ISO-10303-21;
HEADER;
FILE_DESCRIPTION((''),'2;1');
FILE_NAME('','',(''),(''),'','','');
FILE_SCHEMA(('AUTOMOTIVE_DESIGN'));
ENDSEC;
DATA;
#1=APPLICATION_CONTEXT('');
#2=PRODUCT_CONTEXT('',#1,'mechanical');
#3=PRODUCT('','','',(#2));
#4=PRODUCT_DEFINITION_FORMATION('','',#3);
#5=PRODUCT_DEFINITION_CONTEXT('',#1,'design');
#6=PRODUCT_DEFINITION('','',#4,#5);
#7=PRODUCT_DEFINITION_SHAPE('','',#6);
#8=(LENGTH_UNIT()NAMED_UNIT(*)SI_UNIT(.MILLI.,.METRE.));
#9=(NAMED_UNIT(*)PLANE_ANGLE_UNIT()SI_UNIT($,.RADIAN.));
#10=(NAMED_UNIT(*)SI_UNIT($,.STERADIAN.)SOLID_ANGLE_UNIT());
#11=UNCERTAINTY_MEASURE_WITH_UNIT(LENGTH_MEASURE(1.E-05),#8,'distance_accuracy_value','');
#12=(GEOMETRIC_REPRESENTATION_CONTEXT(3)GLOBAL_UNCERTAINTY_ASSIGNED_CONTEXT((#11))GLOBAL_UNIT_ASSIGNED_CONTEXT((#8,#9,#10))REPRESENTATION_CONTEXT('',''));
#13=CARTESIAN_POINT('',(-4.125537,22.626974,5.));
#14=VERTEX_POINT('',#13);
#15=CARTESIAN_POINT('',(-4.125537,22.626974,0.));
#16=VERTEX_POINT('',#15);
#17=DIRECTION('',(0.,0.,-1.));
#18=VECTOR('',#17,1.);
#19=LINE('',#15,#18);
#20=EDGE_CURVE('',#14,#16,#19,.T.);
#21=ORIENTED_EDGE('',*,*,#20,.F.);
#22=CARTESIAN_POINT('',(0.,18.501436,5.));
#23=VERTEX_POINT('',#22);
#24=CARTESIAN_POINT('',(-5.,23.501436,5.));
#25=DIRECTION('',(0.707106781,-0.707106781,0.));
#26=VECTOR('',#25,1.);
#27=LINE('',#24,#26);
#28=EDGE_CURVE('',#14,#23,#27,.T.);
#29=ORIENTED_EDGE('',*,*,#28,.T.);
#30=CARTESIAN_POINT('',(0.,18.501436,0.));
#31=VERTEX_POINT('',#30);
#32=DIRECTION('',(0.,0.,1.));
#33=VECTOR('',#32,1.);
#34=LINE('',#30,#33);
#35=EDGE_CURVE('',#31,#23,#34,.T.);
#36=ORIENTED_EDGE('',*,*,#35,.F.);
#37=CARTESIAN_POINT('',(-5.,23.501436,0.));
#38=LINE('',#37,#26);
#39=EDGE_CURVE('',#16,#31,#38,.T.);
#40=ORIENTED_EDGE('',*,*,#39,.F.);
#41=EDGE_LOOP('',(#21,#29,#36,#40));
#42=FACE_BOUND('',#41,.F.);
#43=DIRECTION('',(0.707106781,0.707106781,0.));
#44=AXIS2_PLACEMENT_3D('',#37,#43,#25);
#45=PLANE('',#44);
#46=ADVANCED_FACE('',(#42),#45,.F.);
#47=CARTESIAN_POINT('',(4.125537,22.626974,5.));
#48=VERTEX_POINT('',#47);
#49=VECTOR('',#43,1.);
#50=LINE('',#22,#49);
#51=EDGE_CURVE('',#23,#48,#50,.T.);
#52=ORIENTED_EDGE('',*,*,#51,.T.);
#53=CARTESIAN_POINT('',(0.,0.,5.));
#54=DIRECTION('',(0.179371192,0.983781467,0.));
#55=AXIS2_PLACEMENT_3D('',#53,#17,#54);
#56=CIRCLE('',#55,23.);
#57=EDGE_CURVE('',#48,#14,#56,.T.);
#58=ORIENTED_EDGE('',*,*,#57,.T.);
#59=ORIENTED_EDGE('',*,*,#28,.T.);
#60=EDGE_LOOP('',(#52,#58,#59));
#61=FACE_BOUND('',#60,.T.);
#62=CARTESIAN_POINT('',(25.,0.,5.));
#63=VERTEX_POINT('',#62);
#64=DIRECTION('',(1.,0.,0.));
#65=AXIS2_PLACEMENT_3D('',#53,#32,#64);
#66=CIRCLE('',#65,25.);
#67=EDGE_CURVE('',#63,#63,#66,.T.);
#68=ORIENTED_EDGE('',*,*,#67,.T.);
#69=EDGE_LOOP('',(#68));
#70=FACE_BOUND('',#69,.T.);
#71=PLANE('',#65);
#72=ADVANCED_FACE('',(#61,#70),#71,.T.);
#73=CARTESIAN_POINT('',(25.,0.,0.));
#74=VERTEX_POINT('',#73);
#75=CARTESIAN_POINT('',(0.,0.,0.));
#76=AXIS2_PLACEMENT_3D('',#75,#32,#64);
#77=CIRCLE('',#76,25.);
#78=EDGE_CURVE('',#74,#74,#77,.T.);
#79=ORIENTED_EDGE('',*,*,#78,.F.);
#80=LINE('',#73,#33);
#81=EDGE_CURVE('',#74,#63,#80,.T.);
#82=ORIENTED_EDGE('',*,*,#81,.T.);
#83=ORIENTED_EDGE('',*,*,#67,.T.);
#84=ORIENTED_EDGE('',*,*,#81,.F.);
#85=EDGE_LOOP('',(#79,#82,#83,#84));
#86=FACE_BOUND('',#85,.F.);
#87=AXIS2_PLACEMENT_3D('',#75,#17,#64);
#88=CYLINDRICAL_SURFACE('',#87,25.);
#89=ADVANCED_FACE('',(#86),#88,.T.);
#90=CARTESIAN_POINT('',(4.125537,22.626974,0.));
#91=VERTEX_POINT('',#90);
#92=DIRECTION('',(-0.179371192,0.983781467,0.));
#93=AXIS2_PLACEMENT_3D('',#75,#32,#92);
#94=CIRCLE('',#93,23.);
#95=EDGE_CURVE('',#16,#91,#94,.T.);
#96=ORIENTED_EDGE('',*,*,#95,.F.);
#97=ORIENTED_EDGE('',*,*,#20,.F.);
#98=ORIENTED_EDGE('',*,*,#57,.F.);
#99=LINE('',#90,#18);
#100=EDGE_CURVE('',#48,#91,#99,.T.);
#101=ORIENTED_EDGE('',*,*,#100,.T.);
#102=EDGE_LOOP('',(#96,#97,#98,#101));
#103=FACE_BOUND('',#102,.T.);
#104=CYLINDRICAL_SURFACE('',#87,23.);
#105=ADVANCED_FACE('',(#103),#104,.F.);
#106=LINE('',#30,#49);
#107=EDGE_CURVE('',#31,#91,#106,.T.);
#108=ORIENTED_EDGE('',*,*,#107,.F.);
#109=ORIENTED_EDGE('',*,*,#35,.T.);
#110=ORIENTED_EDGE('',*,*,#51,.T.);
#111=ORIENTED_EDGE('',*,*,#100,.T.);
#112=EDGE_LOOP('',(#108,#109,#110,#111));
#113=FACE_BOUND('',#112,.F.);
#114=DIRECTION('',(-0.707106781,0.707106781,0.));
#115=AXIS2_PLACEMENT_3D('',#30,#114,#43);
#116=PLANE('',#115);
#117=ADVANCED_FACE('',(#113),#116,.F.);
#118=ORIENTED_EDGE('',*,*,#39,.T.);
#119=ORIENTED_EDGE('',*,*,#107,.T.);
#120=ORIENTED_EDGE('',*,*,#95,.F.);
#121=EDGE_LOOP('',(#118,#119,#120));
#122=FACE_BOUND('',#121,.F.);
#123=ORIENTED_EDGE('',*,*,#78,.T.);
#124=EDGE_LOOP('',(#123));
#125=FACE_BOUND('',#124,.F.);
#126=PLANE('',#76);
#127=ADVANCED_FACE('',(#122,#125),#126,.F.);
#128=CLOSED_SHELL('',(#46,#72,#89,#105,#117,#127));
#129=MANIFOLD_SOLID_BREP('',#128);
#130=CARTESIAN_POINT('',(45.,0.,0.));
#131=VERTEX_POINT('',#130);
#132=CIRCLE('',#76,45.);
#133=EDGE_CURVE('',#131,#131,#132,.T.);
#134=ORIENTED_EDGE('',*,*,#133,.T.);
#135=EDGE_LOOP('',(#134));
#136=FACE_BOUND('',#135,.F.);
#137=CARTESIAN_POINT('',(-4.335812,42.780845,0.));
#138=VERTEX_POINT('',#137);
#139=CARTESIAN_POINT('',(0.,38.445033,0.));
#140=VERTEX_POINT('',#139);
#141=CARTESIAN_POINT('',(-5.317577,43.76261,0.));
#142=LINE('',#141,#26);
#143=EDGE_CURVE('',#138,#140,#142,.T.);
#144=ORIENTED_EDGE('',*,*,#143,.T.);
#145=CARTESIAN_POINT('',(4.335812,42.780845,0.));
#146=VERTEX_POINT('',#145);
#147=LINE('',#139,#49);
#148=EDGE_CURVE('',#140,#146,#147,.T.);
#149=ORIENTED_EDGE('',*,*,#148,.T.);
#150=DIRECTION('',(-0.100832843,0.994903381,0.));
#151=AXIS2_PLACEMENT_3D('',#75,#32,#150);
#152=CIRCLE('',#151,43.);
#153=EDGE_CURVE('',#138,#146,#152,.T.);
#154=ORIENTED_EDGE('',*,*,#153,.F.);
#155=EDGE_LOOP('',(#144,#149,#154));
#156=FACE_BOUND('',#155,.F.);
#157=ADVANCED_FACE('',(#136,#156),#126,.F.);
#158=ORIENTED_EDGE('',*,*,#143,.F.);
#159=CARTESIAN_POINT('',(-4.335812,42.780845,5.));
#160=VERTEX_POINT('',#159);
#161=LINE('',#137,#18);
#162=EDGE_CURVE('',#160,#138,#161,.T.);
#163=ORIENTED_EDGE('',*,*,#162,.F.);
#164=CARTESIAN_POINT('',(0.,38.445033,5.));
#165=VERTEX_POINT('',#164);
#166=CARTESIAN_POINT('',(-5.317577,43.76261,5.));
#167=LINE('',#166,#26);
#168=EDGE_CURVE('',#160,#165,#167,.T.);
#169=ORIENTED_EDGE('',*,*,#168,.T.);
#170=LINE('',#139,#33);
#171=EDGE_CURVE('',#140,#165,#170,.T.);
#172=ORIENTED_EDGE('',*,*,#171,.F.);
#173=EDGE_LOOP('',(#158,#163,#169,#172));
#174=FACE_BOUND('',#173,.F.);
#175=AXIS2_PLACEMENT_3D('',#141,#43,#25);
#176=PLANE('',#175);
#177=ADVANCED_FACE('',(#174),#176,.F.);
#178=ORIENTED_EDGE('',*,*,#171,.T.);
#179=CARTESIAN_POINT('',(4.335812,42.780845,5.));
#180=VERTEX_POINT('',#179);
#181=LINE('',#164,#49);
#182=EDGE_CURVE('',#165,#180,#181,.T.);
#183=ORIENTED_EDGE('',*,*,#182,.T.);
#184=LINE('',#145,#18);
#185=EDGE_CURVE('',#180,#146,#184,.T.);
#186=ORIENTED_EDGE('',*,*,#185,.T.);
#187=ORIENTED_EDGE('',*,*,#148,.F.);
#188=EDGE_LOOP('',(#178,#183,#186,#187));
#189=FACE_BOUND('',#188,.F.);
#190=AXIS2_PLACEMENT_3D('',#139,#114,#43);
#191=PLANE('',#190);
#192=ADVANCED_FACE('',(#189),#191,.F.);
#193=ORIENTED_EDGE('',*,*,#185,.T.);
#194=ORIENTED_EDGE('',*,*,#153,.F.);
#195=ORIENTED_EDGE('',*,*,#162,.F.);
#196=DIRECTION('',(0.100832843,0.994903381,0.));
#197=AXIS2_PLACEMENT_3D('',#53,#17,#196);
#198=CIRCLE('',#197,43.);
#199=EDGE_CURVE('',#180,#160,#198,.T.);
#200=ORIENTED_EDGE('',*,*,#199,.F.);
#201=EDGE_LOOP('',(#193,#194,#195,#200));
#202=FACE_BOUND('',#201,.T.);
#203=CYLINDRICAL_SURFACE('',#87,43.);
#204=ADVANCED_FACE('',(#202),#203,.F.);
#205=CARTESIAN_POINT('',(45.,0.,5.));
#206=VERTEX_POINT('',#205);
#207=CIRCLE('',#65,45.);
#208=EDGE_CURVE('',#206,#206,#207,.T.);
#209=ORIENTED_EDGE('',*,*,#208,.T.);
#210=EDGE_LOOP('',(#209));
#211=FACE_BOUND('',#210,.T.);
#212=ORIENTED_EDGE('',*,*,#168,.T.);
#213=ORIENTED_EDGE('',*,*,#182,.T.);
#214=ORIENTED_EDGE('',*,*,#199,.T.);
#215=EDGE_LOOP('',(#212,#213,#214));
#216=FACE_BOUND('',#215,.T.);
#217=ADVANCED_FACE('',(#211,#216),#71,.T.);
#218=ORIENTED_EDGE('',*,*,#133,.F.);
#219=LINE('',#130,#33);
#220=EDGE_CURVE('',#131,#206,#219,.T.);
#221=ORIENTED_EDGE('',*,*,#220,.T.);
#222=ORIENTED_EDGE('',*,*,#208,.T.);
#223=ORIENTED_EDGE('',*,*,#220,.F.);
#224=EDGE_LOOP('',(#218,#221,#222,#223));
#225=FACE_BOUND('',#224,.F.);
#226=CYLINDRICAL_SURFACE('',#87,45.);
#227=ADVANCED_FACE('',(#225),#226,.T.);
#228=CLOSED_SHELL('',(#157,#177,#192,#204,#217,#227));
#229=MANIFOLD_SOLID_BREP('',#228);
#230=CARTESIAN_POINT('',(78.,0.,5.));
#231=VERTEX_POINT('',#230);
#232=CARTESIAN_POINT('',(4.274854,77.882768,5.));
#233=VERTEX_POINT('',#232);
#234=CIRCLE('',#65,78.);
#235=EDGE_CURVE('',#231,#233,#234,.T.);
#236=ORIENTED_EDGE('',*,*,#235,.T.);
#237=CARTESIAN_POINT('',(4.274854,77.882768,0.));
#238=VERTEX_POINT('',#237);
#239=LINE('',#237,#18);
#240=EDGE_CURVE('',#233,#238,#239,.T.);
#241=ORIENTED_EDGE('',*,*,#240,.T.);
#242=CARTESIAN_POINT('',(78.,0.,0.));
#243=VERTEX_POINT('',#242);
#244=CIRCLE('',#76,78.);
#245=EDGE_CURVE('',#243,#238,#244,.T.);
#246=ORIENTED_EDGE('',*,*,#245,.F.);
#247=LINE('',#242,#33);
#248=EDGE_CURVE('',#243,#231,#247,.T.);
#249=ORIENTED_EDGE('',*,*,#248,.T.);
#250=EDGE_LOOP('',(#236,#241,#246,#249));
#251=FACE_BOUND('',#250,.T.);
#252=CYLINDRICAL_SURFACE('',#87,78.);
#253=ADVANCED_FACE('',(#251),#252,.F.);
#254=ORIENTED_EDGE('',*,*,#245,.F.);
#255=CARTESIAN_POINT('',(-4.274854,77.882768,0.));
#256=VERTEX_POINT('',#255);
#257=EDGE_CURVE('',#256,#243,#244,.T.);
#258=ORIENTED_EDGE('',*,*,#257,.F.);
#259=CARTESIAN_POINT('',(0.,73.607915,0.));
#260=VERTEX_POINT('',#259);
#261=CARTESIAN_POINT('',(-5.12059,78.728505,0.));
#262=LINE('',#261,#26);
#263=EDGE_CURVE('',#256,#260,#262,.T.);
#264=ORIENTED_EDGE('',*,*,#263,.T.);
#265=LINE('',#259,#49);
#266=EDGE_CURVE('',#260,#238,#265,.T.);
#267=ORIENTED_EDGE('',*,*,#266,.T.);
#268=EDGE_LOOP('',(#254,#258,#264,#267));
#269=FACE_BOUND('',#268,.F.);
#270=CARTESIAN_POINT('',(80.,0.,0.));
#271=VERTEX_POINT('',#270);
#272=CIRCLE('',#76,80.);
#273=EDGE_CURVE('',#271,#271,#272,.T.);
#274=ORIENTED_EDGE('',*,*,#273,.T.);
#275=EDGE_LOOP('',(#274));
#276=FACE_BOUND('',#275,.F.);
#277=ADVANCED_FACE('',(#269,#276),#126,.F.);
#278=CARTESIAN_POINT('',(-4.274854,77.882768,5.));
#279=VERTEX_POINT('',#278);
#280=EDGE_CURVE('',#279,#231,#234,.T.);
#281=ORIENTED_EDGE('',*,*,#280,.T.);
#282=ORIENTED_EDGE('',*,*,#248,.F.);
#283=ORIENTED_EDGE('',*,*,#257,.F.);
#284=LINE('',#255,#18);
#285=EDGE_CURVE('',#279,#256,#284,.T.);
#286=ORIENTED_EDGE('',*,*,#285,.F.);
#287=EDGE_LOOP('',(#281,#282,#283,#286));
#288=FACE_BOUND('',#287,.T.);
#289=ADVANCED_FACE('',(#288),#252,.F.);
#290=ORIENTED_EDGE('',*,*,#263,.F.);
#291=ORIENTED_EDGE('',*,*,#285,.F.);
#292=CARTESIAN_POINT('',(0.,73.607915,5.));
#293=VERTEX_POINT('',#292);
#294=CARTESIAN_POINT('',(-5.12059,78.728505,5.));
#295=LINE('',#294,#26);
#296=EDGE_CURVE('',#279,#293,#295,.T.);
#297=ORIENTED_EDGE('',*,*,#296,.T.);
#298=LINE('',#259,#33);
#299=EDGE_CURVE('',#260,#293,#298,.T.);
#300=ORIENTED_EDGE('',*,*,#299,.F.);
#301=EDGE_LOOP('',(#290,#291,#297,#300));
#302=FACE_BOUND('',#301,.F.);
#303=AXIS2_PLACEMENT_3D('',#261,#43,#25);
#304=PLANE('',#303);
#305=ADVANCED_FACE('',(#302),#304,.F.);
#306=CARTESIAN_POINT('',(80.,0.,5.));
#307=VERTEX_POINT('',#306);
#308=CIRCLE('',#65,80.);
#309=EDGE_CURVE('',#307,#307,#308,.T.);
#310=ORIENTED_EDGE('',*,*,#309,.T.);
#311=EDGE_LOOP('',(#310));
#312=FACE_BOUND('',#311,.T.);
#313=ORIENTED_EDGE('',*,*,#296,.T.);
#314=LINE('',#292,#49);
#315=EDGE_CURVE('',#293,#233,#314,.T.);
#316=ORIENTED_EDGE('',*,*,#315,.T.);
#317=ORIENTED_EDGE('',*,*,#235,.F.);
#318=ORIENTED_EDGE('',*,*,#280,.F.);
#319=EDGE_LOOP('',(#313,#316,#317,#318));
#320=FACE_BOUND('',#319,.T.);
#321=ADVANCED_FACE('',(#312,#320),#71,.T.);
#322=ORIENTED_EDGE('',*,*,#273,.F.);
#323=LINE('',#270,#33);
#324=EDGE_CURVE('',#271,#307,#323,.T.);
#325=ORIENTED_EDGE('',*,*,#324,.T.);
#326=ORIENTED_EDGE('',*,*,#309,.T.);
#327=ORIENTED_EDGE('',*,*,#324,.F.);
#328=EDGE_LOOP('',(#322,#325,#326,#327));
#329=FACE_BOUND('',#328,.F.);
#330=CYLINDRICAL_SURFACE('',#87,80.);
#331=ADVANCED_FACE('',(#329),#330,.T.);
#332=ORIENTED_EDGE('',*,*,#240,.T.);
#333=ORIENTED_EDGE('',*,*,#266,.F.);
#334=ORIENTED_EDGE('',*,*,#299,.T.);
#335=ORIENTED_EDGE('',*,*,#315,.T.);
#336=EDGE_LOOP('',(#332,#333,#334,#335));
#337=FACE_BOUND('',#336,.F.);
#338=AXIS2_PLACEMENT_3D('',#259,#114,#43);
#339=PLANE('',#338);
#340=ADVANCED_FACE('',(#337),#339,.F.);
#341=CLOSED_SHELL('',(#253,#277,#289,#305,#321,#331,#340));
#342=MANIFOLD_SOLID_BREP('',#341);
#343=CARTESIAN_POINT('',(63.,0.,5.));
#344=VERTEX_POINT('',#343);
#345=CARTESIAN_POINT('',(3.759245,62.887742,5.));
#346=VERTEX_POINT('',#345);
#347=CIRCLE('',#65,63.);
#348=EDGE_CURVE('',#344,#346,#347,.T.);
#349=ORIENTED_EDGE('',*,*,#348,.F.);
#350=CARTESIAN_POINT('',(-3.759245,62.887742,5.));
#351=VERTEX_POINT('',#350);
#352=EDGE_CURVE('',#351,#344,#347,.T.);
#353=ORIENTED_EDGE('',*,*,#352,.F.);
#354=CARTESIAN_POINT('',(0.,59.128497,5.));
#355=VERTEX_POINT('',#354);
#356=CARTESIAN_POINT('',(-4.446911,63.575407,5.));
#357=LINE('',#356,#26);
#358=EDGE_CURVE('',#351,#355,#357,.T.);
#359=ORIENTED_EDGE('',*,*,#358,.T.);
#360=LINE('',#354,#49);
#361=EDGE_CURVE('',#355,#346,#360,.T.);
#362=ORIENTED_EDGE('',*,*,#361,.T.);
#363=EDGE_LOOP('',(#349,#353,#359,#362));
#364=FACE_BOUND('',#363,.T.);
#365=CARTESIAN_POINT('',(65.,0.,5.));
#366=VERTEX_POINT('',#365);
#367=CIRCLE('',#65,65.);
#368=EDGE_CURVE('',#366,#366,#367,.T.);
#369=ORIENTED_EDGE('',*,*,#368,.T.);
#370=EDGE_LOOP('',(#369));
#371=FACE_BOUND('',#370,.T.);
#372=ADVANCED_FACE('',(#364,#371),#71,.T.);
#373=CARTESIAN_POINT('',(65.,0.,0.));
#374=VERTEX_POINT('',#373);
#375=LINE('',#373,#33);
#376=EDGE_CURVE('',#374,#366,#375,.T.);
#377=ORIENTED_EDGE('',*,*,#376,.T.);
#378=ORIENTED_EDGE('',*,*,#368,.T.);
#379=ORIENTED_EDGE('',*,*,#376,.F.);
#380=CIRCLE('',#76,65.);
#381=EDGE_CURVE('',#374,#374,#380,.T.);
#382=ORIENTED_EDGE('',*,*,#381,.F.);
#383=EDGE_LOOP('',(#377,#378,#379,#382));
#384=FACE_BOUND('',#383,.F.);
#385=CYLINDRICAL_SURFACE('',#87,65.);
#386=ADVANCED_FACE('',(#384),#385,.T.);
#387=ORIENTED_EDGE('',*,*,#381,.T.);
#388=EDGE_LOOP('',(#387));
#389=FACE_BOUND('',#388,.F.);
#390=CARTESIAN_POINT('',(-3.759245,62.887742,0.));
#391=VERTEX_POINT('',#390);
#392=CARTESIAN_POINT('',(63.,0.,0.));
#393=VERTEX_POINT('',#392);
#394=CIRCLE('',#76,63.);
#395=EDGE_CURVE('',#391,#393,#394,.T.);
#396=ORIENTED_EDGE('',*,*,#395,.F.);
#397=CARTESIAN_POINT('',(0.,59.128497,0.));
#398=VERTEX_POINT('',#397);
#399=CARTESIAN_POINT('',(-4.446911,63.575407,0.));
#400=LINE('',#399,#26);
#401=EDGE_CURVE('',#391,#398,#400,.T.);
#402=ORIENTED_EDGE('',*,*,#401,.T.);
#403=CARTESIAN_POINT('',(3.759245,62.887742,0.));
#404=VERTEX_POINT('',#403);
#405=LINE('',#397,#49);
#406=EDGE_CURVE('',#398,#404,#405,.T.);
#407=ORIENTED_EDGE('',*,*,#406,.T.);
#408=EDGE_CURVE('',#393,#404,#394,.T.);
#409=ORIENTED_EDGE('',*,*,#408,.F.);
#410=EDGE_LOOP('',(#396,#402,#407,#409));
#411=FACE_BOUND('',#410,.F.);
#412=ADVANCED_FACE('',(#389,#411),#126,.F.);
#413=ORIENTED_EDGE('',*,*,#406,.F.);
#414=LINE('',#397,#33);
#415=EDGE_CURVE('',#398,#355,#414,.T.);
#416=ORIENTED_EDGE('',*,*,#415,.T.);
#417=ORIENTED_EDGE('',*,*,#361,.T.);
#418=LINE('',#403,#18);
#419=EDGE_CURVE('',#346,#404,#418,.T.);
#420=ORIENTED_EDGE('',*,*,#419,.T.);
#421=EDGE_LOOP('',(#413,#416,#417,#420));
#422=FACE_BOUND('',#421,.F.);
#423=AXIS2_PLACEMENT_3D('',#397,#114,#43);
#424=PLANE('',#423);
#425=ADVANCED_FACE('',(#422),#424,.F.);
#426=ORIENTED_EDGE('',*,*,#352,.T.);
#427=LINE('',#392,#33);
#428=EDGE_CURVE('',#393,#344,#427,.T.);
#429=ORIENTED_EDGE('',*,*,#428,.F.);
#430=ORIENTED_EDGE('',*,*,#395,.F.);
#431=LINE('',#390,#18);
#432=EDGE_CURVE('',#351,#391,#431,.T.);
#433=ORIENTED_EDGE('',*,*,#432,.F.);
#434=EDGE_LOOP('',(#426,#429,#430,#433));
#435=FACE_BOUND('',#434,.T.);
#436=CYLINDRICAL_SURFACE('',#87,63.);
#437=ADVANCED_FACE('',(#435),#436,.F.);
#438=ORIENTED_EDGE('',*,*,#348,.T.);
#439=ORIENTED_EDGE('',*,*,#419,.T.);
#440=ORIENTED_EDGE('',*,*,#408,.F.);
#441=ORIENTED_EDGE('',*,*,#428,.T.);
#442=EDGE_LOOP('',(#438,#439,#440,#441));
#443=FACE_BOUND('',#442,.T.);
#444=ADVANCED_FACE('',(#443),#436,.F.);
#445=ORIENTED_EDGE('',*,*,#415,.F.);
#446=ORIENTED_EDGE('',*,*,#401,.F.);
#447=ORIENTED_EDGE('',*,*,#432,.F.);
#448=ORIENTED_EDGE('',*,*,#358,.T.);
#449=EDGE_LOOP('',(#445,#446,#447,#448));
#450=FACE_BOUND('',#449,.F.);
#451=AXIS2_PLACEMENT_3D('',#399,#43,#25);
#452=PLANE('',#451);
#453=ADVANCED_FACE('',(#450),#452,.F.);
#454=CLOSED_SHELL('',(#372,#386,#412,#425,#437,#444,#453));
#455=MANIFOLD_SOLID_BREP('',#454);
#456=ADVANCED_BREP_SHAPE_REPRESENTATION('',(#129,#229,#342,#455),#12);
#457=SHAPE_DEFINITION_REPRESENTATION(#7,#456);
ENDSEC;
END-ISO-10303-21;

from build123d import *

# Parameters (mm, degrees)
F2_DEPTH = 5
F3_R     = 25
F3_R_2   = 23
F4_DEPTH = 5
F3_R_3   = 45
F3_R_4   = 43
F3_R_5   = 80
F3_R_6   = 78
F3_R_7   = 65
F3_R_8   = 63


with BuildPart() as f2:
    # F1 (on Top) → F2 (new body)
    with BuildSketch(Plane.XY):
        Polygon((0, 73.6079147614), (0, 78.6079147614), (-5.1205901883, 78.7285049497), align=None)
        Polygon((5, 78.6079147614), (0, 78.6079147614), (0, 73.6079147614), align=None)
    extrude(amount=F2_DEPTH)

    # F3 (on Top) → F4, piece 3 (join)
    with BuildSketch(Plane.XY):
        Circle(F3_R_5)
        Circle(F3_R_6, mode=Mode.SUBTRACT)
    extrude(amount=F4_DEPTH)


with BuildPart() as f2b:
    # F1 (on Top) → F2, piece 2 (new body)
    with BuildSketch(Plane.XY):
        Polygon((4.4469106392, 63.5754074351), (0, 64.1284967959), (0, 59.1284967959), align=None)
        Polygon((0, 59.1284967959), (0, 64.1284967959), (-4.4469106392, 63.5754074351), align=None)
    extrude(amount=F2_DEPTH)

    # F3 (on Top) → F4, piece 4 (join)
    with BuildSketch(Plane.XY):
        Circle(F3_R_7)
        Circle(F3_R_8, mode=Mode.SUBTRACT)
    extrude(amount=F4_DEPTH)


with BuildPart() as f2c:
    # F1 (on Top) → F2, piece 3 (new body)
    with BuildSketch(Plane.XY):
        Polygon((0, 38.445033133), (0, 43.445033133), (-5.3175765089, 43.7626096419), align=None)
        Polygon((5, 43.445033133), (0, 43.445033133), (0, 38.445033133), align=None)
    extrude(amount=F2_DEPTH)

    # F3 (on Top) → F4, piece 2 (join)
    with BuildSketch(Plane.XY):
        Circle(F3_R_3)
        Circle(F3_R_4, mode=Mode.SUBTRACT)
    extrude(amount=F4_DEPTH)


with BuildPart() as f2d:
    # F1 (on Top) → F2, piece 4 (new body)
    with BuildSketch(Plane.XY):
        Polygon((0, 18.5014363378), (0, 23.5014363378), (-5, 23.5014363378), align=None)
        Polygon((4.5980428482, 23.0994791861), (0, 23.5014363378), (0, 18.5014363378), align=None)
    extrude(amount=F2_DEPTH)

    # F3 (on Top) → F4 (join)
    with BuildSketch(Plane.XY):
        Circle(F3_R)
        Circle(F3_R_2, mode=Mode.SUBTRACT)
    extrude(amount=F4_DEPTH)


solid = Compound([f2.part, f2b.part, f2c.part, f2d.part])
